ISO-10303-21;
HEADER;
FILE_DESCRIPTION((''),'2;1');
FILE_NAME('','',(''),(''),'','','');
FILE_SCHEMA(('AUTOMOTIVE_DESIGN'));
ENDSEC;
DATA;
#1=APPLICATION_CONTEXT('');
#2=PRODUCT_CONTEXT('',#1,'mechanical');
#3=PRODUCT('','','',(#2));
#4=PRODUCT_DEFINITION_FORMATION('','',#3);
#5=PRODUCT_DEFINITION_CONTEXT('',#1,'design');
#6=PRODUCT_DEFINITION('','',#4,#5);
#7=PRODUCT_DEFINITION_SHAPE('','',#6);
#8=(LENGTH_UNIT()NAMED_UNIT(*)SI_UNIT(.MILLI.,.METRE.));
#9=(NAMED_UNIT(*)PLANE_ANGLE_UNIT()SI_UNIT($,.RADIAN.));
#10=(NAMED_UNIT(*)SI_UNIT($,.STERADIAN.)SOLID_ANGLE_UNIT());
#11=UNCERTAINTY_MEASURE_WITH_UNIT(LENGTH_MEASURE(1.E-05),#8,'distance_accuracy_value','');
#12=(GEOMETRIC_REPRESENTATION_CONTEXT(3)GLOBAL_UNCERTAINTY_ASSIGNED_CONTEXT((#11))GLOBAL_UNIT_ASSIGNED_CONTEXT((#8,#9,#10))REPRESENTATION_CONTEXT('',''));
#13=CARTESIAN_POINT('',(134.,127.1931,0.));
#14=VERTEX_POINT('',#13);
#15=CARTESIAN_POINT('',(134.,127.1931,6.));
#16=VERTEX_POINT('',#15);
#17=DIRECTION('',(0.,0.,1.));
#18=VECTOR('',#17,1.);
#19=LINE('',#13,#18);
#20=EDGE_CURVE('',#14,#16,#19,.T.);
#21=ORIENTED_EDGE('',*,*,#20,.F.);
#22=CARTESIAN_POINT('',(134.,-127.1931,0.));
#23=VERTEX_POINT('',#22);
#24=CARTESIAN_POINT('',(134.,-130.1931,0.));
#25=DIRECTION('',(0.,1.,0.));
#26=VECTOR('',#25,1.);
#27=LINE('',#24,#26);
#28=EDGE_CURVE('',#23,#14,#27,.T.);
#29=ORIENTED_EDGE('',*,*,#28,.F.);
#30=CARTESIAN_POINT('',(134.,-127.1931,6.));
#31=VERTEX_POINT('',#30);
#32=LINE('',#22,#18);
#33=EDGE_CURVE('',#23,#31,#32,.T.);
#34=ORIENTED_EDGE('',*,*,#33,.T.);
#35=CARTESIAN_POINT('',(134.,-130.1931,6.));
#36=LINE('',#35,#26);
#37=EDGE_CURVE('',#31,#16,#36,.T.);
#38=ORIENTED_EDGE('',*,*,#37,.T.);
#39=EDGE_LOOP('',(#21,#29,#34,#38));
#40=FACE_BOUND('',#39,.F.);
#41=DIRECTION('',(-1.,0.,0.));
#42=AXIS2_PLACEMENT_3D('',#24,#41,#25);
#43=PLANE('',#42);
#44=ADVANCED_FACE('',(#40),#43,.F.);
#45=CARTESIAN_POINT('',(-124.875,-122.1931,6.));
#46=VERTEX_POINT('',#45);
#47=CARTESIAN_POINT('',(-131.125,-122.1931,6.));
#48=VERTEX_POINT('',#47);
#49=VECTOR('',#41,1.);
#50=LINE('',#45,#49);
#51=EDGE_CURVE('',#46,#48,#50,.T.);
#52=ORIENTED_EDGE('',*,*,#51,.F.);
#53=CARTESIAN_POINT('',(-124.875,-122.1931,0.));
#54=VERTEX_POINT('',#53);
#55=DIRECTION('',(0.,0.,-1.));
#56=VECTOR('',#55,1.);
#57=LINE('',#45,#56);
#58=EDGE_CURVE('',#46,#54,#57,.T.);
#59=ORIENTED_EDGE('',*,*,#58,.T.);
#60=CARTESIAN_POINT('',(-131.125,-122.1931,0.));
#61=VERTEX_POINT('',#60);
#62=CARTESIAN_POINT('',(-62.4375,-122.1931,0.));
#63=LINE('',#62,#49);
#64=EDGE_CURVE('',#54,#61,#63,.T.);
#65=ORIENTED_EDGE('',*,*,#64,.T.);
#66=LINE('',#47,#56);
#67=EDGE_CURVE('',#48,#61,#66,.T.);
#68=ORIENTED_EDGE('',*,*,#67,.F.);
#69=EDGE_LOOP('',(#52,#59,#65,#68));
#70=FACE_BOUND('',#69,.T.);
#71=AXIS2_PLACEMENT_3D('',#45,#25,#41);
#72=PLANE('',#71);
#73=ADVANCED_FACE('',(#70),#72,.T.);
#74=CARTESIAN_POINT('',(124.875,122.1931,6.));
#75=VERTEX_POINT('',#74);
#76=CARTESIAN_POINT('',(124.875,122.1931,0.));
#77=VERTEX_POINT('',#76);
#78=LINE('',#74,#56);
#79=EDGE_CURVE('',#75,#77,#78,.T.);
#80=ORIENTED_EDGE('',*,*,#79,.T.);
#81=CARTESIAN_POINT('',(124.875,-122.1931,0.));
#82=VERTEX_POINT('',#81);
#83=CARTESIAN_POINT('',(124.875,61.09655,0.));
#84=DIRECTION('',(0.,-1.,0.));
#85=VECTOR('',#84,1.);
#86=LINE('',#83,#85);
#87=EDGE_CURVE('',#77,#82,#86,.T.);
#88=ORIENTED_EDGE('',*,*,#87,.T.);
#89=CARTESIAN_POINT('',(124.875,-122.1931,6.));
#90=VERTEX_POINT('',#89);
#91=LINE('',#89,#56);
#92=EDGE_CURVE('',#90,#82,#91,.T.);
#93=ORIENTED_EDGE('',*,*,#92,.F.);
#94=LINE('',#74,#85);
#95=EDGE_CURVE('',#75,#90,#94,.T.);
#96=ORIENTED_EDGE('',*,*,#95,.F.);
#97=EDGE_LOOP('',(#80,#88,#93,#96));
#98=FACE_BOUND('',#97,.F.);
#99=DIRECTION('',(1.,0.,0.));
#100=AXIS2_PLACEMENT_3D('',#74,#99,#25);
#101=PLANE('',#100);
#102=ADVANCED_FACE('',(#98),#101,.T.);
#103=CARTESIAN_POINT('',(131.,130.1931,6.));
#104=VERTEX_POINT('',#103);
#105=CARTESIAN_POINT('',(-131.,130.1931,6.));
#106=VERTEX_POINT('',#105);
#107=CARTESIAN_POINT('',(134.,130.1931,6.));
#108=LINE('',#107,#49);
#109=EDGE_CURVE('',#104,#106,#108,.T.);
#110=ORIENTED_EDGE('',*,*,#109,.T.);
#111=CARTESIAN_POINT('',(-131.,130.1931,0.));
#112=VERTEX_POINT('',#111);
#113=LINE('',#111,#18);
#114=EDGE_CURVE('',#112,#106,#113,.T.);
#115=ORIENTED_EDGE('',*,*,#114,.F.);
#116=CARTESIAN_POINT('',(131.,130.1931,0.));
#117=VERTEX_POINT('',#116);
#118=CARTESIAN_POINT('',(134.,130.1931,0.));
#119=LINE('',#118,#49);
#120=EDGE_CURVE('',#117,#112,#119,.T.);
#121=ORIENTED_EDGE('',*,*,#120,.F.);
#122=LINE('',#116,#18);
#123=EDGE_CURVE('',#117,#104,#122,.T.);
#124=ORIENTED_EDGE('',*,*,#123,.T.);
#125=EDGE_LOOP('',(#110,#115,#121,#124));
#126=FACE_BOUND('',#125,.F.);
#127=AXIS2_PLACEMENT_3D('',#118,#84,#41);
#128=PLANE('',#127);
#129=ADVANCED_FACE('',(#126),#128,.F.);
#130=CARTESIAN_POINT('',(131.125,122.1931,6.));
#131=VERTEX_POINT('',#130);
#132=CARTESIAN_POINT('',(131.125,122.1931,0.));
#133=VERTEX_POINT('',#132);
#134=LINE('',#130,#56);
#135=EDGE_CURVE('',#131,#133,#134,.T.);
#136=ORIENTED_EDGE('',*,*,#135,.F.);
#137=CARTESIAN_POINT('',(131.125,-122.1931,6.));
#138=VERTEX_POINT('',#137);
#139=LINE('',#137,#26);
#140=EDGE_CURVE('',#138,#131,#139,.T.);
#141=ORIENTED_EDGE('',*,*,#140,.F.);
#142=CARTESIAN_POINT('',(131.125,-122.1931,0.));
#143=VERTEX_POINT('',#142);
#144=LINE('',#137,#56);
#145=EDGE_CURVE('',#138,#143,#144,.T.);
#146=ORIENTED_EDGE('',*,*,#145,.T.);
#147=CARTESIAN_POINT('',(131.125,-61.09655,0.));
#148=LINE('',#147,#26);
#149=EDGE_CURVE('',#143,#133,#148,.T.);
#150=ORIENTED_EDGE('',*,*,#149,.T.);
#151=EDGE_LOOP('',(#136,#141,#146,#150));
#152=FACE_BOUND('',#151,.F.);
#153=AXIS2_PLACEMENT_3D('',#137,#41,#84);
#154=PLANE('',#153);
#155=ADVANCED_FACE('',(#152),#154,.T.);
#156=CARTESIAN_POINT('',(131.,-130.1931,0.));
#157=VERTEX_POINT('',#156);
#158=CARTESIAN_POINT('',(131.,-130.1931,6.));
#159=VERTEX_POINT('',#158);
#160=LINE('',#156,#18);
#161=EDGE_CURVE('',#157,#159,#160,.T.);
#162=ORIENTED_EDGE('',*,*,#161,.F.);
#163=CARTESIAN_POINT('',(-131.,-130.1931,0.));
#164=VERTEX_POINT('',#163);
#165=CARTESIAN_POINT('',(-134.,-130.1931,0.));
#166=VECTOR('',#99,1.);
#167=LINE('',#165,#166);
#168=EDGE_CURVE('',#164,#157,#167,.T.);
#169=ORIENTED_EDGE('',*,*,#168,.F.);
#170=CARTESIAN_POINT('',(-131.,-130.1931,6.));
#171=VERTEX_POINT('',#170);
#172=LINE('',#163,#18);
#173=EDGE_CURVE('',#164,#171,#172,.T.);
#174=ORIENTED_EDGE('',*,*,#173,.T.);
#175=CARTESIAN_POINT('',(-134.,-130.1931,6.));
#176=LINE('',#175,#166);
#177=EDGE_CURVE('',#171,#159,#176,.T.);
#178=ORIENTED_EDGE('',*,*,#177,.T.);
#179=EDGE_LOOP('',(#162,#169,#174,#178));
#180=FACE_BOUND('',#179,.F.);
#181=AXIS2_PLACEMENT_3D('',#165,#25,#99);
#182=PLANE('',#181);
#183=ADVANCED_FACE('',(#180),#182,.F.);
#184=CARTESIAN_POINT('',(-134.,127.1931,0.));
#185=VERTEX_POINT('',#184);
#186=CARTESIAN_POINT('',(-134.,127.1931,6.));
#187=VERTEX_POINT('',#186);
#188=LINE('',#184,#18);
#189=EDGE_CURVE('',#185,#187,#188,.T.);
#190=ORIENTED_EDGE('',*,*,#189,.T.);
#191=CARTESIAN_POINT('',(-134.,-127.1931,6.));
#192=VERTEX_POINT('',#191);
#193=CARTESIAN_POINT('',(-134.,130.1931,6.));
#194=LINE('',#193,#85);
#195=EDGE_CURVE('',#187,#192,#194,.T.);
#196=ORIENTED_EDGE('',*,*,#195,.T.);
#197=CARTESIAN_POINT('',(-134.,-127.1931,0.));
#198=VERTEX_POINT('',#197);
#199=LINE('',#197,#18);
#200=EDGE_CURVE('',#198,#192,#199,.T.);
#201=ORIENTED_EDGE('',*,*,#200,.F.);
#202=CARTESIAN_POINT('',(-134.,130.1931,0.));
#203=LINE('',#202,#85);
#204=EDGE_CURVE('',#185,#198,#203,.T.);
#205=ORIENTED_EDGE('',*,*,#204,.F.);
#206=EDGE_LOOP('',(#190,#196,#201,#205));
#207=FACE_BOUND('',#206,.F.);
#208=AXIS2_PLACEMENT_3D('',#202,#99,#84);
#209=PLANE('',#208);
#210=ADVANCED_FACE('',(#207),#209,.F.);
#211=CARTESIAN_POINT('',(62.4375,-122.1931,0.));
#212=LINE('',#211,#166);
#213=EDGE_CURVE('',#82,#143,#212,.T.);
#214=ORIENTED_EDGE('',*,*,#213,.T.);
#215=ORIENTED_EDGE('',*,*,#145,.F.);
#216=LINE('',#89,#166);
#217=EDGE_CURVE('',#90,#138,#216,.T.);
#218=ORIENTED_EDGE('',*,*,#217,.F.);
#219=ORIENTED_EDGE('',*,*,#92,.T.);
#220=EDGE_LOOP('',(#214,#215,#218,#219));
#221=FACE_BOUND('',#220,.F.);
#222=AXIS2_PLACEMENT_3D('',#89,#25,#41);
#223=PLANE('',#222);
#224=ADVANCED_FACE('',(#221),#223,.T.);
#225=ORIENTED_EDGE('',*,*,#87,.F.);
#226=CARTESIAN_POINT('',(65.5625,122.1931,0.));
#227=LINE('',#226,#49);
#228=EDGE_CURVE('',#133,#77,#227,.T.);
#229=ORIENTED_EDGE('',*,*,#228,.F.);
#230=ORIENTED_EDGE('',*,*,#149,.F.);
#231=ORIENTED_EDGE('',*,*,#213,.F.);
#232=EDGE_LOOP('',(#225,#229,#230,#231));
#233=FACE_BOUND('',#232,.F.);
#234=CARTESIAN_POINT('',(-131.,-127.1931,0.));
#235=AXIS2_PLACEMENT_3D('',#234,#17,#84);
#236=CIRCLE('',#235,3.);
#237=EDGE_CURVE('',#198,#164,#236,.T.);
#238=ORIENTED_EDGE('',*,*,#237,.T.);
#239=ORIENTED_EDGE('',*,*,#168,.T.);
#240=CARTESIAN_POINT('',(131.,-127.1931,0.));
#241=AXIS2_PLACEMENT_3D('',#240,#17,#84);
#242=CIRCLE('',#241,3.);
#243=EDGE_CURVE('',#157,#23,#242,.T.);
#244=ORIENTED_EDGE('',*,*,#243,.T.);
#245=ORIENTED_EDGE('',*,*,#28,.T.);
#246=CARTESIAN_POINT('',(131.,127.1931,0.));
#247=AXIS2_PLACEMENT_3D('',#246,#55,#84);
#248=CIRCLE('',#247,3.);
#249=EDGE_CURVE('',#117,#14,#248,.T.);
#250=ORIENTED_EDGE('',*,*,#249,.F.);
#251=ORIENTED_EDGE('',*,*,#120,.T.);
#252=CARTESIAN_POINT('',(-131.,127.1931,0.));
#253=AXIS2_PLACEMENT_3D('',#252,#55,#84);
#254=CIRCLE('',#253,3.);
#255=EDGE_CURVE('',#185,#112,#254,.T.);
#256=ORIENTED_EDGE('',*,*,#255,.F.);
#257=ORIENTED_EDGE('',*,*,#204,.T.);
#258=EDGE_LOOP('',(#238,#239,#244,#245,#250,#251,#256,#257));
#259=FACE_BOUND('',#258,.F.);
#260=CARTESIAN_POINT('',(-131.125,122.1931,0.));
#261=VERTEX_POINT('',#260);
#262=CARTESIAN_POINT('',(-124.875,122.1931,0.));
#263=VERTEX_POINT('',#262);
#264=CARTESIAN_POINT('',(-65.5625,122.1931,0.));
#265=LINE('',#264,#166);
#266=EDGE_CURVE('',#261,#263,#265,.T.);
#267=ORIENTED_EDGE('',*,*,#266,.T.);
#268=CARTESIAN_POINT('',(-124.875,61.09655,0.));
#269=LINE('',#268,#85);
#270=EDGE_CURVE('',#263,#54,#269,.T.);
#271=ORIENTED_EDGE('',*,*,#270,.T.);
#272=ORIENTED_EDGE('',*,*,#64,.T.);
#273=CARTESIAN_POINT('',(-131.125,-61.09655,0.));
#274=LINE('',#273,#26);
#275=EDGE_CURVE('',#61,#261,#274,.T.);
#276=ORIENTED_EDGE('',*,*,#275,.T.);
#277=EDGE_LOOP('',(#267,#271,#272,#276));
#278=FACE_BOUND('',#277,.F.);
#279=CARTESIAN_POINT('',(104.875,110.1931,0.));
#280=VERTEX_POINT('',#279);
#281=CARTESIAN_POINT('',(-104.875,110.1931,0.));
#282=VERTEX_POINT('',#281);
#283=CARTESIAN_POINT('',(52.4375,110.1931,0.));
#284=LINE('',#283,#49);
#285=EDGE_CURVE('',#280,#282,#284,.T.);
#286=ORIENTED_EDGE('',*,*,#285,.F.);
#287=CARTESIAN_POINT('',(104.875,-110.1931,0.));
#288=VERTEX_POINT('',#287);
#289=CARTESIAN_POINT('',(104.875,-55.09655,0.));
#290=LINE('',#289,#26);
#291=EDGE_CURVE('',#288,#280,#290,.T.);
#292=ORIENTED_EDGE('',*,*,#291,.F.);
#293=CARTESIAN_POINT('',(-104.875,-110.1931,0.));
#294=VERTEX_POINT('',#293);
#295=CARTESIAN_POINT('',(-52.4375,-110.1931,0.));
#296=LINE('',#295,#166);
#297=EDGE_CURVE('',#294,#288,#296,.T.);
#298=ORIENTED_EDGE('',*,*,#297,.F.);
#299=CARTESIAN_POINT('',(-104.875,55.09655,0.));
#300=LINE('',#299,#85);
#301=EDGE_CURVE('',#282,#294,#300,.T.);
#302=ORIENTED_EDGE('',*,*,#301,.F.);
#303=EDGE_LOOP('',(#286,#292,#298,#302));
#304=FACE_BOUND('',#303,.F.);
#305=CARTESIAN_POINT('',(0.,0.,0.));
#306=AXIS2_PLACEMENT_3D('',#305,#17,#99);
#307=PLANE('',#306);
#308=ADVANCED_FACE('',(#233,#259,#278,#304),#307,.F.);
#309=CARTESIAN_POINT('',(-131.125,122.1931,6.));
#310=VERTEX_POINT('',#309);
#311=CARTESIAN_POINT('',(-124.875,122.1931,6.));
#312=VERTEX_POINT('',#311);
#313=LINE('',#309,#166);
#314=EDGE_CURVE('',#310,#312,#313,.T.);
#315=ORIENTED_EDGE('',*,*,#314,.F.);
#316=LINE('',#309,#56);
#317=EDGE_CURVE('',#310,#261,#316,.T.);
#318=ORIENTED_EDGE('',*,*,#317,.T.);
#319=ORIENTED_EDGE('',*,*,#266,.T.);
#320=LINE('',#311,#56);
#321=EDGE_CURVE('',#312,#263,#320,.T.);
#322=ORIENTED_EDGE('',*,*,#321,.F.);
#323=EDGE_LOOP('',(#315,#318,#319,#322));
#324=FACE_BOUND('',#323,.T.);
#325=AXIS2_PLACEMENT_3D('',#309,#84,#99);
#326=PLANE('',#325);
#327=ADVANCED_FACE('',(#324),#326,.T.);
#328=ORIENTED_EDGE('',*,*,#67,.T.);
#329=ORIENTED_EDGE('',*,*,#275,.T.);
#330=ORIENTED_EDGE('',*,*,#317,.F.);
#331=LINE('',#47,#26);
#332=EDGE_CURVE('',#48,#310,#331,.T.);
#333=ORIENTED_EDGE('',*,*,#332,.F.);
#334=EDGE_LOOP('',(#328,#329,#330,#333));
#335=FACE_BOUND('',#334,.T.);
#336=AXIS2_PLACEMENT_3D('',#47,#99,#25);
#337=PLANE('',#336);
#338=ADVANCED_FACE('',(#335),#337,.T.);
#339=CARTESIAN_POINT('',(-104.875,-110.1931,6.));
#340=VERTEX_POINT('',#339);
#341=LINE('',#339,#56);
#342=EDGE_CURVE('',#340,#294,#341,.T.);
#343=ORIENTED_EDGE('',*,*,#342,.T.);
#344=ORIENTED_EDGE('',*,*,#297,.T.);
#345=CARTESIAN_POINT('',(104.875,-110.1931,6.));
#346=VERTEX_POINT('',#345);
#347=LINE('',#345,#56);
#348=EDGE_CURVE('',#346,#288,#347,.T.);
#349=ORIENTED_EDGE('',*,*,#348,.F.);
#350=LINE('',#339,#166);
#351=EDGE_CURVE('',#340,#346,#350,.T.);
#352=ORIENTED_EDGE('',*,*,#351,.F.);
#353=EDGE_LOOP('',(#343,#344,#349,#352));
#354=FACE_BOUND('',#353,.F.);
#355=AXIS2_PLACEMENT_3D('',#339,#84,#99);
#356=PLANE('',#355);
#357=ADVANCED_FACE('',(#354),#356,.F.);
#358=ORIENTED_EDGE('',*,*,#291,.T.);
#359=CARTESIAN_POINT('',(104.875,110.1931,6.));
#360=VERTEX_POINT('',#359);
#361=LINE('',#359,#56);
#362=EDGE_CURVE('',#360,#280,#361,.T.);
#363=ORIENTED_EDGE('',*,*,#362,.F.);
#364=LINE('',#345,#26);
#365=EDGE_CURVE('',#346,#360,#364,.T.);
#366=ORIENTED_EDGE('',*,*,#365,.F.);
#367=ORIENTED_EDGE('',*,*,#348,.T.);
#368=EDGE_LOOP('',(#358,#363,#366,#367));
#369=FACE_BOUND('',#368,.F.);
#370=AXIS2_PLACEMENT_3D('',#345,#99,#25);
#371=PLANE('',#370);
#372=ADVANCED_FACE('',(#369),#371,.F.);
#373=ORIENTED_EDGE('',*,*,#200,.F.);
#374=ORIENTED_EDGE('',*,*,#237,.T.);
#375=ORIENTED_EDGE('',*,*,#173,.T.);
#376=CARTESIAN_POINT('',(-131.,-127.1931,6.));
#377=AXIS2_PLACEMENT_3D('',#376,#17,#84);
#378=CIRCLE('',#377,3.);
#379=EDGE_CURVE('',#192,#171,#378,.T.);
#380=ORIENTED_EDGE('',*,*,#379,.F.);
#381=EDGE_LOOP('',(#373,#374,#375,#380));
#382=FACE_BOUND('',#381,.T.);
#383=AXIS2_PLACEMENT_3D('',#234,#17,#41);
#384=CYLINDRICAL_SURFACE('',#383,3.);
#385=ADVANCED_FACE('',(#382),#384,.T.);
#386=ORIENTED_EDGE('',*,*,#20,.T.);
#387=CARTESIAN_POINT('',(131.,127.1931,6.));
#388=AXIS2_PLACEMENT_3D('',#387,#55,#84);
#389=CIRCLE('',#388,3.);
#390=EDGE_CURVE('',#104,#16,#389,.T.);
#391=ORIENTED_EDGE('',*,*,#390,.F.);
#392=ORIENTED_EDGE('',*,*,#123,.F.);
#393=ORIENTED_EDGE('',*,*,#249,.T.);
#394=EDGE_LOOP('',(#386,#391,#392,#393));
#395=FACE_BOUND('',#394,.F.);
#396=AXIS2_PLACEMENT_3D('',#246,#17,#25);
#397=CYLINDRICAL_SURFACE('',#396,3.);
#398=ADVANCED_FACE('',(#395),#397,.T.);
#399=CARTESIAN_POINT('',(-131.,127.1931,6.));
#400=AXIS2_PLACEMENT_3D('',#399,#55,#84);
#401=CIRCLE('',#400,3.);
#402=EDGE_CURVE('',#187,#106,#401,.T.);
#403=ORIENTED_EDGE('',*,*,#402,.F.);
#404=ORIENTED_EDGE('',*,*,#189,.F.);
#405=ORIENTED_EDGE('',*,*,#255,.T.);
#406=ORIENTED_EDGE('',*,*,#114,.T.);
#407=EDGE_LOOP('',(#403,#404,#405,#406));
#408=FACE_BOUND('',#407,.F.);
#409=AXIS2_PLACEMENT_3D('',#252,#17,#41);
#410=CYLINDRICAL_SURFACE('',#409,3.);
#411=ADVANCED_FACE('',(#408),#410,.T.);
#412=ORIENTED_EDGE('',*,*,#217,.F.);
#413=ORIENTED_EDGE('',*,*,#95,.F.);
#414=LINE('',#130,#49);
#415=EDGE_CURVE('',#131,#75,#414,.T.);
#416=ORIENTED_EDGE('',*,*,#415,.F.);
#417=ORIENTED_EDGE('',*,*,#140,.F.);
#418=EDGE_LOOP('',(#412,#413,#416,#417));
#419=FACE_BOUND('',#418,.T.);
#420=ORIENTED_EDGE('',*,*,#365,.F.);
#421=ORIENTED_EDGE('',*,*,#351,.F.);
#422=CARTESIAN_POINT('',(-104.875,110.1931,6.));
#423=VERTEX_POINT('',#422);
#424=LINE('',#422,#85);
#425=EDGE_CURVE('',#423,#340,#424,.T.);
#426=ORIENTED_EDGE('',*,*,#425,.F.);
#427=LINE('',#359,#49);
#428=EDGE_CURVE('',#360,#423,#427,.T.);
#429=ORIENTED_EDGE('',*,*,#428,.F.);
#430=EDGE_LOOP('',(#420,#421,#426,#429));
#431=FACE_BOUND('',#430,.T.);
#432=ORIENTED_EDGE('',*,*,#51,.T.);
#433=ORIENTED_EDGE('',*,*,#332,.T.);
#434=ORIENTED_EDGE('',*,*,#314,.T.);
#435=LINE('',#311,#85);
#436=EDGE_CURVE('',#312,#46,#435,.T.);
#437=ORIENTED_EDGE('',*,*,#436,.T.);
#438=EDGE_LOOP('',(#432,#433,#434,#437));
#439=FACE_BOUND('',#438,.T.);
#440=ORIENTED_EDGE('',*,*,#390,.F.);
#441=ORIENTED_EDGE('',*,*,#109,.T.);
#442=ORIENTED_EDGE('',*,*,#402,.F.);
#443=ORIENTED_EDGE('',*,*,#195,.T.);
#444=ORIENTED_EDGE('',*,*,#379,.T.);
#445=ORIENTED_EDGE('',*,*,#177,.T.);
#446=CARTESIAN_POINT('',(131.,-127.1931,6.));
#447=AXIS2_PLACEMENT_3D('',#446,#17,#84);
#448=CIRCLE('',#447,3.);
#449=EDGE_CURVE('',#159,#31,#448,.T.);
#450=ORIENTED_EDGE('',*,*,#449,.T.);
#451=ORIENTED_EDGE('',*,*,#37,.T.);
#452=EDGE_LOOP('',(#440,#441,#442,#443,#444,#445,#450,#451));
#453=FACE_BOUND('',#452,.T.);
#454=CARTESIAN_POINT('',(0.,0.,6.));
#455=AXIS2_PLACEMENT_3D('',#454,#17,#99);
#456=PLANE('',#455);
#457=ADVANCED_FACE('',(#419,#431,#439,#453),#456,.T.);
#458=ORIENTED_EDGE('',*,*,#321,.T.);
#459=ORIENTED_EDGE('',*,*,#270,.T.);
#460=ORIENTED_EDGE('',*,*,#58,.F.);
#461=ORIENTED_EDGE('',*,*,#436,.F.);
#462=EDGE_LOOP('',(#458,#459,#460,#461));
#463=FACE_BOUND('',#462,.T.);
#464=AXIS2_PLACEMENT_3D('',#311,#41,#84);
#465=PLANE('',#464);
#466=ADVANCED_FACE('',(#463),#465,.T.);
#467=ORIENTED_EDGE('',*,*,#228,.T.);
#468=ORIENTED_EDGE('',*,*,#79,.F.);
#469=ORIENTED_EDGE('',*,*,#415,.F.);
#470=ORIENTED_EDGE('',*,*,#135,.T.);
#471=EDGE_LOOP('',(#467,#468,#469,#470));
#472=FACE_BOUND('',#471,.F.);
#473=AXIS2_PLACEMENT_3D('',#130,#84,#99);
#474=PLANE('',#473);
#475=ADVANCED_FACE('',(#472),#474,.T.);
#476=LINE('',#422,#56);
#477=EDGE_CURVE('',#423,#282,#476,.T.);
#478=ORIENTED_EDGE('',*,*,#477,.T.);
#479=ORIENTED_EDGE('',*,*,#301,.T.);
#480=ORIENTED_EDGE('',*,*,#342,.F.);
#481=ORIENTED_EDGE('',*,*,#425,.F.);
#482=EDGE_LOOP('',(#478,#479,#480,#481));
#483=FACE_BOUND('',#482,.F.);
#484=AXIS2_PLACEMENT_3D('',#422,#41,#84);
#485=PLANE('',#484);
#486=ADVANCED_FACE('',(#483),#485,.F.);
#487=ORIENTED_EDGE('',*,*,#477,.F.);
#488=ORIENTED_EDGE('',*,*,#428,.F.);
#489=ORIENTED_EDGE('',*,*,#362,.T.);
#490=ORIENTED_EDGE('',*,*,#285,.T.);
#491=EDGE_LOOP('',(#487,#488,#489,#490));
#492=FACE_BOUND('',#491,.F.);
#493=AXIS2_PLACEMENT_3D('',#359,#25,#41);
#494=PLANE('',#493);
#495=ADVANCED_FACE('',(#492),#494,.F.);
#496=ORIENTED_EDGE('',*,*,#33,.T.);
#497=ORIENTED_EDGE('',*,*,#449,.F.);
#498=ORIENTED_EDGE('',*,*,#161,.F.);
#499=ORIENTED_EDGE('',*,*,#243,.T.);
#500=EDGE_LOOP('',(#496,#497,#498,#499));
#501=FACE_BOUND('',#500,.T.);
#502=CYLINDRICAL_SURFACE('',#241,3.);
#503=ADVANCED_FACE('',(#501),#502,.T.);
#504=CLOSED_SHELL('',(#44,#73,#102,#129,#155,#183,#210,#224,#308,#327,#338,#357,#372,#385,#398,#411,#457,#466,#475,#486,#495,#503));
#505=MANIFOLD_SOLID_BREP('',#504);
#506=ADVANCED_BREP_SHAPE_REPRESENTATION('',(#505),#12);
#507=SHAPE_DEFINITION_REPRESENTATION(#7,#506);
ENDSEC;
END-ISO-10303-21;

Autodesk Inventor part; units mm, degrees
ref_plane "YZ Plane" through (0, 0, 0) normal (1, 0, 0) x (0, 1, 0)
ref_plane "XZ Plane" through (0, 0, 0) normal (0, 1, 0) x (-1, 0, 0)
ref_plane "XY Plane" through (0, 0, 0) normal (0, 0, 1) x (1, 0, 0)
sketch "Sketch1" plane through (0, 0, 0) normal (0, 0, 1) x (1, 0, 0)
  line L0 (-134, -130.1931) -> (134, -130.1931)
  line L1 (134, -130.1931) -> (134, 130.1931)
  line L2 (134, 130.1931) -> (-134, 130.1931)
  line L3 (-134, 130.1931) -> (-134, -130.1931)
  line L4 (-134, -130.1931) -> (134, 130.1931) construction
  line L5 (134, -130.1931) -> (-134, 130.1931) construction
  point P0 (0, 0)
  dimension "d0" = 268
  dimension "d1" = 260.3863
extrude "Extrusion1" add sketch "Sketch1" along normal blind 6
sketch "Sketch2" plane through (0, 0, 6) normal (0, 0, 1) x (1, 0, 0)
  line L0 (-134, -130.1931) -> (134, -130.1931) projected
  line L1 (134, 130.1931) -> (-134, 130.1931) projected
  line L2 (-134, 130.1931) -> (-134, -130.1931) projected
  line L3 (-131.125, 122.1931) -> (-124.875, 122.1931)
  line L4 (-124.875, 122.1931) -> (-124.875, -122.1931)
  line L5 (-124.875, -122.1931) -> (-131.125, -122.1931)
  line L6 (-131.125, -122.1931) -> (-131.125, 122.1931)
  line L7 (-131.125, 122.1931) -> (-124.875, -122.1931) construction
  line L8 (-124.875, 122.1931) -> (-131.125, -122.1931) construction
  point P0 (0, 0)
  point P1 (-128, 0)
  dimension "d5" = 2.875
  dimension "d6" = 6.25
  dimension "d7" = 8
  dimension "d101" = 8
extrude "Extrusion2" cut sketch "Sketch2" against normal through all
mirror "Mirror1" about plane through (0, 0, 0) normal (1, 0, 0) of "Extrusion2"
fillet "Fillet1" radius 3 4 edges at (134, 130.1931, 3) (134, -130.1931, 3) (-134, 130.1931, 3) (-134, -130.1931, 3)
sketch "Sketch3" plane through (0, 0, 6) normal (0, 0, 1) x (1, 0, 0)
  line L0 (131, 130.1931) -> (-131, 130.1931) projected
  line L1 (-124.875, 122.1931) -> (-124.875, -122.1931) projected
  line L2 (-104.875, -110.1931) -> (104.875, -110.1931)
  line L3 (104.875, -110.1931) -> (104.875, 110.1931)
  line L4 (104.875, 110.1931) -> (-104.875, 110.1931)
  line L5 (-104.875, 110.1931) -> (-104.875, -110.1931)
  line L6 (-104.875, -110.1931) -> (104.875, 110.1931) construction
  line L7 (104.875, -110.1931) -> (-104.875, 110.1931) construction
  point P0 (0, 0)
  dimension "d12" = 20
  dimension "d13" = 20
extrude "Extrusion3" cut sketch "Sketch3" against normal through all
properties part number "TopDiagonalPanel"
